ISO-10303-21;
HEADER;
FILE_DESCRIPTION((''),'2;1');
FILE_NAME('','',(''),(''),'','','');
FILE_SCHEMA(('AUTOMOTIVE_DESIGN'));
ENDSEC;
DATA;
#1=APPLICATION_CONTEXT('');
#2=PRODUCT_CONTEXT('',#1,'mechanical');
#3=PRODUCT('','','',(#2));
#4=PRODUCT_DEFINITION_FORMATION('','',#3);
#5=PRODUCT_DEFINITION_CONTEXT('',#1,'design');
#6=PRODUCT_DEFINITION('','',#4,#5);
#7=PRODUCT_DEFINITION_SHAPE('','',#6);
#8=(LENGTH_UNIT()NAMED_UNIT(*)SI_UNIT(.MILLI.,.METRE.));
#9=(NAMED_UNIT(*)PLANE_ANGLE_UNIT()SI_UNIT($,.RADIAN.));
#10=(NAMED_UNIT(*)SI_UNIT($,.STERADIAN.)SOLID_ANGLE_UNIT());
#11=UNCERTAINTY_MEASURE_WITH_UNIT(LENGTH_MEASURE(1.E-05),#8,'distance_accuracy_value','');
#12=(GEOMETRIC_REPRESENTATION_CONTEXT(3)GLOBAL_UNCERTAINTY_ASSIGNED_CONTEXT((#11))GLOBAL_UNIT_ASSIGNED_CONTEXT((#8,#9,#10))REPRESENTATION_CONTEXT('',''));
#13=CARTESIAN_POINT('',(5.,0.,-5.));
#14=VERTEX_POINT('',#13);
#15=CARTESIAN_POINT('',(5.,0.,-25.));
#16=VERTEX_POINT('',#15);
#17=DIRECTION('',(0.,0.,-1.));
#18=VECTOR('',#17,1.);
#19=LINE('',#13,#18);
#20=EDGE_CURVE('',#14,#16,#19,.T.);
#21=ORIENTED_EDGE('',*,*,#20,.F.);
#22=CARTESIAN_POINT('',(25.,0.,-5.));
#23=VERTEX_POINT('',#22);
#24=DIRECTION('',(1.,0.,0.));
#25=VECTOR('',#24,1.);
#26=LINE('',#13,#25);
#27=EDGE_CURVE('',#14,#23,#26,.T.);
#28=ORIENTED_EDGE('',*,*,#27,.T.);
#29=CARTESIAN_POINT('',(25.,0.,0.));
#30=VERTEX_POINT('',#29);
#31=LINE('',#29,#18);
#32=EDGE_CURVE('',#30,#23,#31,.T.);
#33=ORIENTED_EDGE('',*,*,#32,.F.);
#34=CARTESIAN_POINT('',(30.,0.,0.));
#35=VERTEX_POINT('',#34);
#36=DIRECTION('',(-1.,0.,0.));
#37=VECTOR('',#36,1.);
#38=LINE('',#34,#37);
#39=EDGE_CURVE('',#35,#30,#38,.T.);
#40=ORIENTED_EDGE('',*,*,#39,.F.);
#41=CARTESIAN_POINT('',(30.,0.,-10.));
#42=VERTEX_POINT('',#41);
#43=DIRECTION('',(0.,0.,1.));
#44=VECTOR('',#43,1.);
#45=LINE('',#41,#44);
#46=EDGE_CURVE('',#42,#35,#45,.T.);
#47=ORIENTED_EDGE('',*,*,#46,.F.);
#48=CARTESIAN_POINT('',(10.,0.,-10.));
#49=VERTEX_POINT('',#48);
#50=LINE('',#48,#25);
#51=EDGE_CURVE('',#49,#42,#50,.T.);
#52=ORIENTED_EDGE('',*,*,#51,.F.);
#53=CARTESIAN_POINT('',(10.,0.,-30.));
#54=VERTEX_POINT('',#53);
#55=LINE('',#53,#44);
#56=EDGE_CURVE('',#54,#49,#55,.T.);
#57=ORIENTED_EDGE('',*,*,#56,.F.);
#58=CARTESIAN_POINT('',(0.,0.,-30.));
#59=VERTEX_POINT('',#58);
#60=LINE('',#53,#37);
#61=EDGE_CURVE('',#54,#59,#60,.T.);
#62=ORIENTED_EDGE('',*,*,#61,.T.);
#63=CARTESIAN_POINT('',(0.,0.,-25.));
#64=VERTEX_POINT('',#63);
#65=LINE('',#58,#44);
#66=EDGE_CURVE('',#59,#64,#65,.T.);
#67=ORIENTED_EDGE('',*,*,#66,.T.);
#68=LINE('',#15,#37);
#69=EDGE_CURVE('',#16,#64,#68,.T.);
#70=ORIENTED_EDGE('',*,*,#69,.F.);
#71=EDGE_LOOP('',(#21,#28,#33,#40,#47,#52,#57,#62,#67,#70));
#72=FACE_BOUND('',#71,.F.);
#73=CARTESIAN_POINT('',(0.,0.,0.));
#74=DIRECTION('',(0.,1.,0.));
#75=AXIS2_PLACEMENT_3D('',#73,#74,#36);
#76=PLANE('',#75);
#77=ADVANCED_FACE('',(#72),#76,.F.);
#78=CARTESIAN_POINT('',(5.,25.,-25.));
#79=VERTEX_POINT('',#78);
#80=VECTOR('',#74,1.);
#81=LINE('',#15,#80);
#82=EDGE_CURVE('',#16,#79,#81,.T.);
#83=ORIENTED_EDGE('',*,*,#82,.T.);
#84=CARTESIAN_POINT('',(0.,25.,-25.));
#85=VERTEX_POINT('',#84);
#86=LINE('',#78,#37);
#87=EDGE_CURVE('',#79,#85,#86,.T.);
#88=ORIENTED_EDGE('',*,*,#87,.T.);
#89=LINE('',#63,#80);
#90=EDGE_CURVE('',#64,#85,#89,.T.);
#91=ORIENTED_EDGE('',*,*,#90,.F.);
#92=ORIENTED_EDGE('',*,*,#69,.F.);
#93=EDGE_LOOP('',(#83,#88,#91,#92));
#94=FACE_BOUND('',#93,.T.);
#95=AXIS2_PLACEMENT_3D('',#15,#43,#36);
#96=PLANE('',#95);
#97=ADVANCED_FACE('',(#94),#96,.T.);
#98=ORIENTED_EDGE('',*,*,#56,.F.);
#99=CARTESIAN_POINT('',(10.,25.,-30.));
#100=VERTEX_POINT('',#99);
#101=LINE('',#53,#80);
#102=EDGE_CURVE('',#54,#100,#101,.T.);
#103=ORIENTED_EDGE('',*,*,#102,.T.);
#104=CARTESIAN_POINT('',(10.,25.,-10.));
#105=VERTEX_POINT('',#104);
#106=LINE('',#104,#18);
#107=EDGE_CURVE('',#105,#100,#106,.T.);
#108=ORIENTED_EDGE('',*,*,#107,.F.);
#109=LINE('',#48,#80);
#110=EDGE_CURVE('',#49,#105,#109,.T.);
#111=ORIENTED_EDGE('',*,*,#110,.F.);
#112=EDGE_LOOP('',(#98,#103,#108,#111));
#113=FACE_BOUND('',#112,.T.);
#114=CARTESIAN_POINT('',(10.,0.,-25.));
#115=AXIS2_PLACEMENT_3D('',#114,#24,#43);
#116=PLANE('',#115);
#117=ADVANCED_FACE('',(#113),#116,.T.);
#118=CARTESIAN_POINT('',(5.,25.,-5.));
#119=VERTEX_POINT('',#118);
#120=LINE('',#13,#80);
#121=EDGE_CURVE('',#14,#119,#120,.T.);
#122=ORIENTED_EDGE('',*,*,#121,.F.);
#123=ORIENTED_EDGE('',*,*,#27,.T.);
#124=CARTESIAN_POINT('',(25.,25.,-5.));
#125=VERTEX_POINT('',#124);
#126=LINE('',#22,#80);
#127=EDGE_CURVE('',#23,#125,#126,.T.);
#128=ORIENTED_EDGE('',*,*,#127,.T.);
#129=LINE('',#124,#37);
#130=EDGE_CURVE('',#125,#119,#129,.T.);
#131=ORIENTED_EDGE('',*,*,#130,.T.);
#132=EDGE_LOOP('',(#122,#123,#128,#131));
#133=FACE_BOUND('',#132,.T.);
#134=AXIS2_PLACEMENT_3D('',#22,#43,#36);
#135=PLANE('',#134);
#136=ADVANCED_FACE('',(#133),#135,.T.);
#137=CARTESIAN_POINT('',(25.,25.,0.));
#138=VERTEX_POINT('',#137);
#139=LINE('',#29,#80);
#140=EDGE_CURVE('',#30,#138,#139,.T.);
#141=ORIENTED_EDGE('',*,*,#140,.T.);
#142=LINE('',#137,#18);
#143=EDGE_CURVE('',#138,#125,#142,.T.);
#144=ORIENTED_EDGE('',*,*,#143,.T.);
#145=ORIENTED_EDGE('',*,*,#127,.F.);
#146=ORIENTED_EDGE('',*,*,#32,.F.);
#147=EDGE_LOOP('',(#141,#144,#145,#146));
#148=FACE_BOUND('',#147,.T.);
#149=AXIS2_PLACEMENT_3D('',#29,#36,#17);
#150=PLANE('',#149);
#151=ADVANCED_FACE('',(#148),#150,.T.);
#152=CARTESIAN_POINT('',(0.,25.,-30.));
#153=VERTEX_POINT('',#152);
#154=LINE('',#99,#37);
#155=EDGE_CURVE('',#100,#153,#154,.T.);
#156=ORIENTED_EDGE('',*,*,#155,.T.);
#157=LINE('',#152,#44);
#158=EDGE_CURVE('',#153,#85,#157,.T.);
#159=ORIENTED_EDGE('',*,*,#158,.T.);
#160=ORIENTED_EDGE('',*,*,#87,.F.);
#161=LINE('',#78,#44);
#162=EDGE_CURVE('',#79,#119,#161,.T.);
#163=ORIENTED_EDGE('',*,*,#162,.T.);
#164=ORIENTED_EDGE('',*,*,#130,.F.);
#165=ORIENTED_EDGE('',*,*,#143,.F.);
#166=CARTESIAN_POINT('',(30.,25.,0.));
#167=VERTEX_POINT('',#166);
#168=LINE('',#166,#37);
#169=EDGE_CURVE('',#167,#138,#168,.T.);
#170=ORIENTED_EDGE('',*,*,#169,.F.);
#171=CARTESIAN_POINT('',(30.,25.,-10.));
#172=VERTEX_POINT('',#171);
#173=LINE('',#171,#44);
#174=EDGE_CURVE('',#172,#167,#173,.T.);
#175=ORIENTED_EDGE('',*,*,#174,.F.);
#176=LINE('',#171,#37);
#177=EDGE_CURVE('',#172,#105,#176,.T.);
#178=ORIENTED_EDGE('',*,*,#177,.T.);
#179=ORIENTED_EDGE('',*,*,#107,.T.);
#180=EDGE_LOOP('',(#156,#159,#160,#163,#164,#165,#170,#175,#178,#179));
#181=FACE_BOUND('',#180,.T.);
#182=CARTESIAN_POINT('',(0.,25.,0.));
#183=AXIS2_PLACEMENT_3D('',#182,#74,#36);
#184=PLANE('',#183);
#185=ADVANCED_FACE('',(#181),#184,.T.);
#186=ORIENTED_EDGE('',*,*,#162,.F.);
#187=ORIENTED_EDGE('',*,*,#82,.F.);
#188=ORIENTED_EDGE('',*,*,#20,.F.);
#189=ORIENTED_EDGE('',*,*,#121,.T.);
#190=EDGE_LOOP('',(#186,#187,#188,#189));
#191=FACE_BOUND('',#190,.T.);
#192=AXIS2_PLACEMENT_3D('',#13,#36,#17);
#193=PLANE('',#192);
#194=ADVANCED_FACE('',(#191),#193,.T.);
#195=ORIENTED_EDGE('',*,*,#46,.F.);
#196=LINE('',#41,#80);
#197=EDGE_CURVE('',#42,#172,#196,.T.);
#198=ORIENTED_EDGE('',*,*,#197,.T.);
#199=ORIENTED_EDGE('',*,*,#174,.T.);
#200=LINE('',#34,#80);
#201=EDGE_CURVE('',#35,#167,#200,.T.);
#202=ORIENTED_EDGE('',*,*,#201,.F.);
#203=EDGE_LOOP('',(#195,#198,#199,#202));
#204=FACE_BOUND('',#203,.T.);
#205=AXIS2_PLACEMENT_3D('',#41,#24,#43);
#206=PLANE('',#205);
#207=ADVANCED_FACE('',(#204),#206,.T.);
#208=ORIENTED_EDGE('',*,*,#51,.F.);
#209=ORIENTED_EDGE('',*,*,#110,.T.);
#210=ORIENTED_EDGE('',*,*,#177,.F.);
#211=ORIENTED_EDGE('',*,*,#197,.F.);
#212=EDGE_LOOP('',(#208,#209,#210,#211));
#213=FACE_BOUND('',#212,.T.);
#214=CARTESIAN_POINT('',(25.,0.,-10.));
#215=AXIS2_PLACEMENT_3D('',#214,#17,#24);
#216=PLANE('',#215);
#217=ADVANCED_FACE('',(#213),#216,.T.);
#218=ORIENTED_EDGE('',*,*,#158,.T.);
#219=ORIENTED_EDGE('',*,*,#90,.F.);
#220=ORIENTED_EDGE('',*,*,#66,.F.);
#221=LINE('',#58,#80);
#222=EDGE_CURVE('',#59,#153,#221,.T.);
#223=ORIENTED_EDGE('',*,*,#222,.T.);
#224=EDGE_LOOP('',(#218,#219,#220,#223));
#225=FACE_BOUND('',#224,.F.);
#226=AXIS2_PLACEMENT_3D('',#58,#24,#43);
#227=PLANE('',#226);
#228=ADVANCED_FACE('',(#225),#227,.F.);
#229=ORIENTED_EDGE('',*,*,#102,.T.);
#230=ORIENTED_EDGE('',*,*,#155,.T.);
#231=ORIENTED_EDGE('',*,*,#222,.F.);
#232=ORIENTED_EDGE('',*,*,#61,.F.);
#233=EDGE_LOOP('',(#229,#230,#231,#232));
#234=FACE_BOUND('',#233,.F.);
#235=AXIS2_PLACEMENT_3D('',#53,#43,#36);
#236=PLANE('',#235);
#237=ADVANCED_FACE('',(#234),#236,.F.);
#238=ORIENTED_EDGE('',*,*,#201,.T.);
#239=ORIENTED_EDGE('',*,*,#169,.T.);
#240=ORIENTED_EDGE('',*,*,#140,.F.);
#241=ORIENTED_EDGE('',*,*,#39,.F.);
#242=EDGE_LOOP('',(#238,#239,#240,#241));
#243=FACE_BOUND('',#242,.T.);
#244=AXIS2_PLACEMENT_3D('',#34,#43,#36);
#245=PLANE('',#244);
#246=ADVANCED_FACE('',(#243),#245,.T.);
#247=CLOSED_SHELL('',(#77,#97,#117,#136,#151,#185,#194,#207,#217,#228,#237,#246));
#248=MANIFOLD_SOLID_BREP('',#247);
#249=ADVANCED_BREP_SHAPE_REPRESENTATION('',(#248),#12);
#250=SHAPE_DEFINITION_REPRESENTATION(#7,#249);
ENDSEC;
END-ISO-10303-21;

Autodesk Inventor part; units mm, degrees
ref_plane "YZ Plane" through (0, 0, 0) normal (1, 0, 0) x (0, 1, 0)
ref_plane "XZ Plane" through (0, 0, 0) normal (0, 1, 0) x (-1, 0, 0)
ref_plane "XY Plane" through (0, 0, 0) normal (0, 0, 1) x (1, 0, 0)
sketch "Sketch1" plane through (0, 0, 0) normal (0, 1, 0) x (-1, 0, 0)
  line L0 (0, 0) -> (-25, 0)
  line L1 (-25, 0) -> (-25, -5)
  line L2 (-25, -5) -> (0, -5)
  line L3 (0, -5) -> (0, 0)
  line L4 (0, 0) -> (-5, 0)
  line L5 (-5, 0) -> (-5, -25)
  line L6 (-5, -25) -> (0, -25)
  line L7 (0, -25) -> (0, 0)
  line L8 (-25, -5) -> (-5, -5)
  line L9 (-5, -5) -> (-5, -10)
  line L10 (-5, -10) -> (-25, -10)
  line L11 (-25, -10) -> (-25, -5)
  line L12 (-5, -25) -> (-10, -25)
  line L13 (-10, -25) -> (-10, -5)
  line L14 (-10, -5) -> (-5, -5)
  line L15 (-5, -5) -> (-5, -25)
  line L16 (0, -25) -> (-10, -25)
  line L17 (-10, -25) -> (-10, -30)
  line L18 (-10, -30) -> (0, -30)
  line L19 (0, -30) -> (0, -25)
  line L20 (-25, -10) -> (-30, -10)
  line L21 (-30, -10) -> (-30, 0)
  line L22 (-30, 0) -> (-25, 0)
  line L23 (-25, 0) -> (-25, -10)
  point P0 (-10, -10)
  dimension "d0" = 25
  dimension "d1" = 5
  dimension "d2" = 5
  dimension "d3" = 25
  dimension "d4" = 5
  dimension "d5" = 5
  dimension "d6" = 10
  dimension "d7" = 5
  dimension "d8" = 5
  dimension "d9" = 10
extrude "Extrusion1" add sketch "Sketch1" along normal blind 25 contours L1 L11 L20 L21 L22 | L5 L10 L13 L2 | L19 L18 L17 L12 L6 | L2 L13 L10 L11 | L5 L12 L13 L10
properties part number "roof-joint"
